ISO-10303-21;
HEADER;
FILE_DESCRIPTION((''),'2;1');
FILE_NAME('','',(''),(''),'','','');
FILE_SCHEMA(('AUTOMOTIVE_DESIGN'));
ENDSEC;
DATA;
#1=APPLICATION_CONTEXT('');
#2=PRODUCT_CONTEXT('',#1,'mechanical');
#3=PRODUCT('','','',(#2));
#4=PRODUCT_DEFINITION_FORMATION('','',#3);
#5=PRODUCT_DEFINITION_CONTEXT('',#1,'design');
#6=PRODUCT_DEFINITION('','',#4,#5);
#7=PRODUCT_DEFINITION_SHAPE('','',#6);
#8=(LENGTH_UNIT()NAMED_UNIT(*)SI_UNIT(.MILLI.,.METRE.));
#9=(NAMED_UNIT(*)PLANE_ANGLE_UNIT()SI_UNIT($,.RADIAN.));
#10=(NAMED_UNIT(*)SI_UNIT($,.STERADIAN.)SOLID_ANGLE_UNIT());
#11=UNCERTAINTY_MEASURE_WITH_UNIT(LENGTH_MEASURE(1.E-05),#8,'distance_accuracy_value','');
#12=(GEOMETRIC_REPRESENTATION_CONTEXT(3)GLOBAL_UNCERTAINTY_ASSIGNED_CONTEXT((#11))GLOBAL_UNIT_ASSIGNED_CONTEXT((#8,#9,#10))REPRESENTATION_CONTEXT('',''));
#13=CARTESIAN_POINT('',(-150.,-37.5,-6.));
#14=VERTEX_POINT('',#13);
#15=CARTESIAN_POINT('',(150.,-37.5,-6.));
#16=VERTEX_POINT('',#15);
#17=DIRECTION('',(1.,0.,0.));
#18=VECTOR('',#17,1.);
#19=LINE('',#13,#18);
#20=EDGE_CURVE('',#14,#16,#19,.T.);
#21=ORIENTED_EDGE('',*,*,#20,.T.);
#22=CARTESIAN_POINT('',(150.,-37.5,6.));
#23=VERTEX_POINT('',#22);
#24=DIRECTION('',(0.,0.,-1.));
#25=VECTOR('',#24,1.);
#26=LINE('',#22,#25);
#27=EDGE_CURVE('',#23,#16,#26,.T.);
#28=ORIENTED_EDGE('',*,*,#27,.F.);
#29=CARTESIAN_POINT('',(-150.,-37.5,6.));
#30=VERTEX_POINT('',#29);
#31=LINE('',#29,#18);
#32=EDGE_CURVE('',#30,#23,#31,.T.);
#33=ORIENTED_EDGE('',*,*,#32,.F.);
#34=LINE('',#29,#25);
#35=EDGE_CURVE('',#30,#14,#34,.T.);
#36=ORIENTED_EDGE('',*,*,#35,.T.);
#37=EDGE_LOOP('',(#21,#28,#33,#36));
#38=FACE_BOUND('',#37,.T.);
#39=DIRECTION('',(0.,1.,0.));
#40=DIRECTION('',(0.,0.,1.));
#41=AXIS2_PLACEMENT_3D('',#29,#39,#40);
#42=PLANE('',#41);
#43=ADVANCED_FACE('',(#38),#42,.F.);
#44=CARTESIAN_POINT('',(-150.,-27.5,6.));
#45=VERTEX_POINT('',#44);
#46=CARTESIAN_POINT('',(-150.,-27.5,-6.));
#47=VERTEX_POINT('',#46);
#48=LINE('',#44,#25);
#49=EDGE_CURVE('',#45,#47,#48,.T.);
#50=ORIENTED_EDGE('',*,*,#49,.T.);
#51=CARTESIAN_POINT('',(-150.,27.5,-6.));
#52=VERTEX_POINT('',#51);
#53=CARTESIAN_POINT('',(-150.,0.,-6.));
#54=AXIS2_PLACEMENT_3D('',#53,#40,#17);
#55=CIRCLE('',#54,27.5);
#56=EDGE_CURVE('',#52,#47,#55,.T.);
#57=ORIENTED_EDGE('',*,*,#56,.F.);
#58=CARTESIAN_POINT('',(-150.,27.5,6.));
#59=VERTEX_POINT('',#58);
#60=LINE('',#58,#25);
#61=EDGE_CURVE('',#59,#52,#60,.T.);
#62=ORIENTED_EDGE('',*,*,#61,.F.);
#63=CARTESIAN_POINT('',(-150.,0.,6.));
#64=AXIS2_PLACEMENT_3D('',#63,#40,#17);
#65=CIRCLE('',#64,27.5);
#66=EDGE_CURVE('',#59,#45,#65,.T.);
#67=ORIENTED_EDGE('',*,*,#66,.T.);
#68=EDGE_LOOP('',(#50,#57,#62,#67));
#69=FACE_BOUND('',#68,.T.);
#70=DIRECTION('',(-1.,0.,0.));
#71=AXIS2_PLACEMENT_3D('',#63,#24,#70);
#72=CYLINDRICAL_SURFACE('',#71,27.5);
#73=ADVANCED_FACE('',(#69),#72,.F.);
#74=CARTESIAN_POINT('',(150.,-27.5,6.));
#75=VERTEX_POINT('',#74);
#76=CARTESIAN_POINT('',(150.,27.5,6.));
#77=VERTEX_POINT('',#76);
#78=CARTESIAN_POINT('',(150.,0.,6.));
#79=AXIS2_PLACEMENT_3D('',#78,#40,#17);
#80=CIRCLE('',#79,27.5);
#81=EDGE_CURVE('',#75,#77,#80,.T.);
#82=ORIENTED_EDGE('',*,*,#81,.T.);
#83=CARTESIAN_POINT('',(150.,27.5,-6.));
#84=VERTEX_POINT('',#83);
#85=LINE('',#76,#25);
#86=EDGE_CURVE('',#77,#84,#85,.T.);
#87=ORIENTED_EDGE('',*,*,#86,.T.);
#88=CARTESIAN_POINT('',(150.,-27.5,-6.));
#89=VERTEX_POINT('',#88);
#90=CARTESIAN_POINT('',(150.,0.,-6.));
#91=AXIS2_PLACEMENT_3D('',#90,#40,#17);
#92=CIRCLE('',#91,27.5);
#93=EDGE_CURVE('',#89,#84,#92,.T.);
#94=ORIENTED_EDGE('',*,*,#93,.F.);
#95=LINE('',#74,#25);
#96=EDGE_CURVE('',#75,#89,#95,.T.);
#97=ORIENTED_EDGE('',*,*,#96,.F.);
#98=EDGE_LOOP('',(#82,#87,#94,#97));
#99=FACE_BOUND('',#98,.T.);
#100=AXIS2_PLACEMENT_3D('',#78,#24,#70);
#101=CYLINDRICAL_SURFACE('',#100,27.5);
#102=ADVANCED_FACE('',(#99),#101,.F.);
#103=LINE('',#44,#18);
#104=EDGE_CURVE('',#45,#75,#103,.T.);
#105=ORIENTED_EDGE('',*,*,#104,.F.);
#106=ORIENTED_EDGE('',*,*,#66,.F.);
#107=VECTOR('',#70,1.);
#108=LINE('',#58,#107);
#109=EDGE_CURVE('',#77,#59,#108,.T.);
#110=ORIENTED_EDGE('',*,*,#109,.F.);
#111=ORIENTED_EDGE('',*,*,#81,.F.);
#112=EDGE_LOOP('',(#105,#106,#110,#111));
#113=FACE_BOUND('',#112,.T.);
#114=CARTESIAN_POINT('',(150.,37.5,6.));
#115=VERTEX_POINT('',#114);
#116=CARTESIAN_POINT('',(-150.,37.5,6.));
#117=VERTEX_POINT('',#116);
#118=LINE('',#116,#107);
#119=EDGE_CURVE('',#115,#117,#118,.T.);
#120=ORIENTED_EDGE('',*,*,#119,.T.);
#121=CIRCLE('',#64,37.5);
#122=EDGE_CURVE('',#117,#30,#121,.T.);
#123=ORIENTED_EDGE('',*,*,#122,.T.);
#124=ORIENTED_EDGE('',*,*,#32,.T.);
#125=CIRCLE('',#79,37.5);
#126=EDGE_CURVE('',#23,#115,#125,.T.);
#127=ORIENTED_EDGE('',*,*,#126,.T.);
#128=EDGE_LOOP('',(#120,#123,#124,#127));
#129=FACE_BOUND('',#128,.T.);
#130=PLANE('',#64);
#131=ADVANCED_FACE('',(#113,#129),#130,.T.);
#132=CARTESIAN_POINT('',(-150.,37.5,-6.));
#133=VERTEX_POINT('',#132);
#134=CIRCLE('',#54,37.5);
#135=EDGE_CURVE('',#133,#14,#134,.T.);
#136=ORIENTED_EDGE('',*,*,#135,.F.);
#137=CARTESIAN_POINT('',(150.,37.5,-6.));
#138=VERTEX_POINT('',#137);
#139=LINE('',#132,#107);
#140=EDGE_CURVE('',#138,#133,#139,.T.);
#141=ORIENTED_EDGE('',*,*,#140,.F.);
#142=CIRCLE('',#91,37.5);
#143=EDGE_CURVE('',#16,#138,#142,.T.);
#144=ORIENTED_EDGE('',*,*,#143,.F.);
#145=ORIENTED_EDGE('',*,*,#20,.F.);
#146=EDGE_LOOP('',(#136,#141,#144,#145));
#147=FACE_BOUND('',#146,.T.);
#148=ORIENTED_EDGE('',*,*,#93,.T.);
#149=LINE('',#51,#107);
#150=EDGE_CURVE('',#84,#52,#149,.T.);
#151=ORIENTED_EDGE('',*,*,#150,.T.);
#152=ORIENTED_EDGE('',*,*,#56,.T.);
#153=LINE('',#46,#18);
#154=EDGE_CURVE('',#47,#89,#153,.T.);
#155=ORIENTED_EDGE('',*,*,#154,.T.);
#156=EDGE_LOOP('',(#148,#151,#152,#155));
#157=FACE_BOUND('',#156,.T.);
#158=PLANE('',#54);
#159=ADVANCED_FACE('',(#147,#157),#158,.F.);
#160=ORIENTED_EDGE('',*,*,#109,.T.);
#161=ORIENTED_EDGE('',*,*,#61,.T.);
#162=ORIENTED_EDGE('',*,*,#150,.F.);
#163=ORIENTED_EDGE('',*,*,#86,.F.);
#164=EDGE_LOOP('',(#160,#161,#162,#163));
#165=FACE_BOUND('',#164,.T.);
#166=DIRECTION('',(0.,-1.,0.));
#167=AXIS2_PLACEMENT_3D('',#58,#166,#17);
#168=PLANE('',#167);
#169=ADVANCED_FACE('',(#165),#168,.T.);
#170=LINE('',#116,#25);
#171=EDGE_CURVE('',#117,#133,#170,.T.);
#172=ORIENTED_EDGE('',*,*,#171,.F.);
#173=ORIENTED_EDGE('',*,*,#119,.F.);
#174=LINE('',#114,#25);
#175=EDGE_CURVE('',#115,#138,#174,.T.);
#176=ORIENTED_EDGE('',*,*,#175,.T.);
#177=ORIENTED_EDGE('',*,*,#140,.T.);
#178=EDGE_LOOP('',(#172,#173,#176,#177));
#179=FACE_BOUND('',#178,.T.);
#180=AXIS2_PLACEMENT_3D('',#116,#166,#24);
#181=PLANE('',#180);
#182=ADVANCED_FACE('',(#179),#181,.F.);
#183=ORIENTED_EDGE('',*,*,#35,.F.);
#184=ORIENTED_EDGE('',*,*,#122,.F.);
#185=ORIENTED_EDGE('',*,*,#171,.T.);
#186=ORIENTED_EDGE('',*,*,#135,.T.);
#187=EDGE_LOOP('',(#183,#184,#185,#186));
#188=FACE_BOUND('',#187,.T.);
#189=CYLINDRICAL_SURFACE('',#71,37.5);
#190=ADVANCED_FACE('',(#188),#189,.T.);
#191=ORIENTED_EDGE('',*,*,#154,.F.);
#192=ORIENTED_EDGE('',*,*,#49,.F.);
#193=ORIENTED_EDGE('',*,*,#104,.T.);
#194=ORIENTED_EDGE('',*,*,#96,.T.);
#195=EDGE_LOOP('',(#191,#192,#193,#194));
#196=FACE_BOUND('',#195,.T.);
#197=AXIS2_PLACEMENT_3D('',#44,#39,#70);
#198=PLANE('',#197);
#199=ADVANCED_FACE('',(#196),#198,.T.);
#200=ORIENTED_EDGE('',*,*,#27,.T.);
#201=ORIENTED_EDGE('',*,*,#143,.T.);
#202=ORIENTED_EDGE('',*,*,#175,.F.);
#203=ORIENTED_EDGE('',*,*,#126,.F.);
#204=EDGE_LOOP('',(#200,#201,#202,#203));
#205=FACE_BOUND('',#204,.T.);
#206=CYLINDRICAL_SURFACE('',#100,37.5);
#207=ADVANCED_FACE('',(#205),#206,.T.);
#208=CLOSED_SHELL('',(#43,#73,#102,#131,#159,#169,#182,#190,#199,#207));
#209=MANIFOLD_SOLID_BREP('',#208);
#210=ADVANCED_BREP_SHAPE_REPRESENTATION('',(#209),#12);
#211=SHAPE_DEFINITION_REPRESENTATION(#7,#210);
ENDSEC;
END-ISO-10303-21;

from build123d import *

# Parameters (mm, degrees)
RESSALTO_EXTRUS_O1_DEPTH = 6


with BuildPart() as part:
    # Esboço1 → Ressalto-extrusão1 (new body, symmetric)
    with BuildSketch(Plane.XY):
        with BuildLine():
            Line((-150, 37.5), (150, 37.5))
            ThreePointArc((150, 37.5), (187.5, 0), (150, -37.5))
            Line((150, -37.5), (-150, -37.5))
            ThreePointArc((-150, -37.5), (-187.5, 0), (-150, 37.5))
        make_face()
        with BuildLine():
            Line((-150, 27.5), (150, 27.5))
            ThreePointArc((150, 27.5), (177.5, 0), (150, -27.5))
            Line((150, -27.5), (-150, -27.5))
            ThreePointArc((-150, -27.5), (-177.5, 0), (-150, 27.5))
        make_face(mode=Mode.SUBTRACT)
    extrude(amount=RESSALTO_EXTRUS_O1_DEPTH, both=True)


solid = part.part
